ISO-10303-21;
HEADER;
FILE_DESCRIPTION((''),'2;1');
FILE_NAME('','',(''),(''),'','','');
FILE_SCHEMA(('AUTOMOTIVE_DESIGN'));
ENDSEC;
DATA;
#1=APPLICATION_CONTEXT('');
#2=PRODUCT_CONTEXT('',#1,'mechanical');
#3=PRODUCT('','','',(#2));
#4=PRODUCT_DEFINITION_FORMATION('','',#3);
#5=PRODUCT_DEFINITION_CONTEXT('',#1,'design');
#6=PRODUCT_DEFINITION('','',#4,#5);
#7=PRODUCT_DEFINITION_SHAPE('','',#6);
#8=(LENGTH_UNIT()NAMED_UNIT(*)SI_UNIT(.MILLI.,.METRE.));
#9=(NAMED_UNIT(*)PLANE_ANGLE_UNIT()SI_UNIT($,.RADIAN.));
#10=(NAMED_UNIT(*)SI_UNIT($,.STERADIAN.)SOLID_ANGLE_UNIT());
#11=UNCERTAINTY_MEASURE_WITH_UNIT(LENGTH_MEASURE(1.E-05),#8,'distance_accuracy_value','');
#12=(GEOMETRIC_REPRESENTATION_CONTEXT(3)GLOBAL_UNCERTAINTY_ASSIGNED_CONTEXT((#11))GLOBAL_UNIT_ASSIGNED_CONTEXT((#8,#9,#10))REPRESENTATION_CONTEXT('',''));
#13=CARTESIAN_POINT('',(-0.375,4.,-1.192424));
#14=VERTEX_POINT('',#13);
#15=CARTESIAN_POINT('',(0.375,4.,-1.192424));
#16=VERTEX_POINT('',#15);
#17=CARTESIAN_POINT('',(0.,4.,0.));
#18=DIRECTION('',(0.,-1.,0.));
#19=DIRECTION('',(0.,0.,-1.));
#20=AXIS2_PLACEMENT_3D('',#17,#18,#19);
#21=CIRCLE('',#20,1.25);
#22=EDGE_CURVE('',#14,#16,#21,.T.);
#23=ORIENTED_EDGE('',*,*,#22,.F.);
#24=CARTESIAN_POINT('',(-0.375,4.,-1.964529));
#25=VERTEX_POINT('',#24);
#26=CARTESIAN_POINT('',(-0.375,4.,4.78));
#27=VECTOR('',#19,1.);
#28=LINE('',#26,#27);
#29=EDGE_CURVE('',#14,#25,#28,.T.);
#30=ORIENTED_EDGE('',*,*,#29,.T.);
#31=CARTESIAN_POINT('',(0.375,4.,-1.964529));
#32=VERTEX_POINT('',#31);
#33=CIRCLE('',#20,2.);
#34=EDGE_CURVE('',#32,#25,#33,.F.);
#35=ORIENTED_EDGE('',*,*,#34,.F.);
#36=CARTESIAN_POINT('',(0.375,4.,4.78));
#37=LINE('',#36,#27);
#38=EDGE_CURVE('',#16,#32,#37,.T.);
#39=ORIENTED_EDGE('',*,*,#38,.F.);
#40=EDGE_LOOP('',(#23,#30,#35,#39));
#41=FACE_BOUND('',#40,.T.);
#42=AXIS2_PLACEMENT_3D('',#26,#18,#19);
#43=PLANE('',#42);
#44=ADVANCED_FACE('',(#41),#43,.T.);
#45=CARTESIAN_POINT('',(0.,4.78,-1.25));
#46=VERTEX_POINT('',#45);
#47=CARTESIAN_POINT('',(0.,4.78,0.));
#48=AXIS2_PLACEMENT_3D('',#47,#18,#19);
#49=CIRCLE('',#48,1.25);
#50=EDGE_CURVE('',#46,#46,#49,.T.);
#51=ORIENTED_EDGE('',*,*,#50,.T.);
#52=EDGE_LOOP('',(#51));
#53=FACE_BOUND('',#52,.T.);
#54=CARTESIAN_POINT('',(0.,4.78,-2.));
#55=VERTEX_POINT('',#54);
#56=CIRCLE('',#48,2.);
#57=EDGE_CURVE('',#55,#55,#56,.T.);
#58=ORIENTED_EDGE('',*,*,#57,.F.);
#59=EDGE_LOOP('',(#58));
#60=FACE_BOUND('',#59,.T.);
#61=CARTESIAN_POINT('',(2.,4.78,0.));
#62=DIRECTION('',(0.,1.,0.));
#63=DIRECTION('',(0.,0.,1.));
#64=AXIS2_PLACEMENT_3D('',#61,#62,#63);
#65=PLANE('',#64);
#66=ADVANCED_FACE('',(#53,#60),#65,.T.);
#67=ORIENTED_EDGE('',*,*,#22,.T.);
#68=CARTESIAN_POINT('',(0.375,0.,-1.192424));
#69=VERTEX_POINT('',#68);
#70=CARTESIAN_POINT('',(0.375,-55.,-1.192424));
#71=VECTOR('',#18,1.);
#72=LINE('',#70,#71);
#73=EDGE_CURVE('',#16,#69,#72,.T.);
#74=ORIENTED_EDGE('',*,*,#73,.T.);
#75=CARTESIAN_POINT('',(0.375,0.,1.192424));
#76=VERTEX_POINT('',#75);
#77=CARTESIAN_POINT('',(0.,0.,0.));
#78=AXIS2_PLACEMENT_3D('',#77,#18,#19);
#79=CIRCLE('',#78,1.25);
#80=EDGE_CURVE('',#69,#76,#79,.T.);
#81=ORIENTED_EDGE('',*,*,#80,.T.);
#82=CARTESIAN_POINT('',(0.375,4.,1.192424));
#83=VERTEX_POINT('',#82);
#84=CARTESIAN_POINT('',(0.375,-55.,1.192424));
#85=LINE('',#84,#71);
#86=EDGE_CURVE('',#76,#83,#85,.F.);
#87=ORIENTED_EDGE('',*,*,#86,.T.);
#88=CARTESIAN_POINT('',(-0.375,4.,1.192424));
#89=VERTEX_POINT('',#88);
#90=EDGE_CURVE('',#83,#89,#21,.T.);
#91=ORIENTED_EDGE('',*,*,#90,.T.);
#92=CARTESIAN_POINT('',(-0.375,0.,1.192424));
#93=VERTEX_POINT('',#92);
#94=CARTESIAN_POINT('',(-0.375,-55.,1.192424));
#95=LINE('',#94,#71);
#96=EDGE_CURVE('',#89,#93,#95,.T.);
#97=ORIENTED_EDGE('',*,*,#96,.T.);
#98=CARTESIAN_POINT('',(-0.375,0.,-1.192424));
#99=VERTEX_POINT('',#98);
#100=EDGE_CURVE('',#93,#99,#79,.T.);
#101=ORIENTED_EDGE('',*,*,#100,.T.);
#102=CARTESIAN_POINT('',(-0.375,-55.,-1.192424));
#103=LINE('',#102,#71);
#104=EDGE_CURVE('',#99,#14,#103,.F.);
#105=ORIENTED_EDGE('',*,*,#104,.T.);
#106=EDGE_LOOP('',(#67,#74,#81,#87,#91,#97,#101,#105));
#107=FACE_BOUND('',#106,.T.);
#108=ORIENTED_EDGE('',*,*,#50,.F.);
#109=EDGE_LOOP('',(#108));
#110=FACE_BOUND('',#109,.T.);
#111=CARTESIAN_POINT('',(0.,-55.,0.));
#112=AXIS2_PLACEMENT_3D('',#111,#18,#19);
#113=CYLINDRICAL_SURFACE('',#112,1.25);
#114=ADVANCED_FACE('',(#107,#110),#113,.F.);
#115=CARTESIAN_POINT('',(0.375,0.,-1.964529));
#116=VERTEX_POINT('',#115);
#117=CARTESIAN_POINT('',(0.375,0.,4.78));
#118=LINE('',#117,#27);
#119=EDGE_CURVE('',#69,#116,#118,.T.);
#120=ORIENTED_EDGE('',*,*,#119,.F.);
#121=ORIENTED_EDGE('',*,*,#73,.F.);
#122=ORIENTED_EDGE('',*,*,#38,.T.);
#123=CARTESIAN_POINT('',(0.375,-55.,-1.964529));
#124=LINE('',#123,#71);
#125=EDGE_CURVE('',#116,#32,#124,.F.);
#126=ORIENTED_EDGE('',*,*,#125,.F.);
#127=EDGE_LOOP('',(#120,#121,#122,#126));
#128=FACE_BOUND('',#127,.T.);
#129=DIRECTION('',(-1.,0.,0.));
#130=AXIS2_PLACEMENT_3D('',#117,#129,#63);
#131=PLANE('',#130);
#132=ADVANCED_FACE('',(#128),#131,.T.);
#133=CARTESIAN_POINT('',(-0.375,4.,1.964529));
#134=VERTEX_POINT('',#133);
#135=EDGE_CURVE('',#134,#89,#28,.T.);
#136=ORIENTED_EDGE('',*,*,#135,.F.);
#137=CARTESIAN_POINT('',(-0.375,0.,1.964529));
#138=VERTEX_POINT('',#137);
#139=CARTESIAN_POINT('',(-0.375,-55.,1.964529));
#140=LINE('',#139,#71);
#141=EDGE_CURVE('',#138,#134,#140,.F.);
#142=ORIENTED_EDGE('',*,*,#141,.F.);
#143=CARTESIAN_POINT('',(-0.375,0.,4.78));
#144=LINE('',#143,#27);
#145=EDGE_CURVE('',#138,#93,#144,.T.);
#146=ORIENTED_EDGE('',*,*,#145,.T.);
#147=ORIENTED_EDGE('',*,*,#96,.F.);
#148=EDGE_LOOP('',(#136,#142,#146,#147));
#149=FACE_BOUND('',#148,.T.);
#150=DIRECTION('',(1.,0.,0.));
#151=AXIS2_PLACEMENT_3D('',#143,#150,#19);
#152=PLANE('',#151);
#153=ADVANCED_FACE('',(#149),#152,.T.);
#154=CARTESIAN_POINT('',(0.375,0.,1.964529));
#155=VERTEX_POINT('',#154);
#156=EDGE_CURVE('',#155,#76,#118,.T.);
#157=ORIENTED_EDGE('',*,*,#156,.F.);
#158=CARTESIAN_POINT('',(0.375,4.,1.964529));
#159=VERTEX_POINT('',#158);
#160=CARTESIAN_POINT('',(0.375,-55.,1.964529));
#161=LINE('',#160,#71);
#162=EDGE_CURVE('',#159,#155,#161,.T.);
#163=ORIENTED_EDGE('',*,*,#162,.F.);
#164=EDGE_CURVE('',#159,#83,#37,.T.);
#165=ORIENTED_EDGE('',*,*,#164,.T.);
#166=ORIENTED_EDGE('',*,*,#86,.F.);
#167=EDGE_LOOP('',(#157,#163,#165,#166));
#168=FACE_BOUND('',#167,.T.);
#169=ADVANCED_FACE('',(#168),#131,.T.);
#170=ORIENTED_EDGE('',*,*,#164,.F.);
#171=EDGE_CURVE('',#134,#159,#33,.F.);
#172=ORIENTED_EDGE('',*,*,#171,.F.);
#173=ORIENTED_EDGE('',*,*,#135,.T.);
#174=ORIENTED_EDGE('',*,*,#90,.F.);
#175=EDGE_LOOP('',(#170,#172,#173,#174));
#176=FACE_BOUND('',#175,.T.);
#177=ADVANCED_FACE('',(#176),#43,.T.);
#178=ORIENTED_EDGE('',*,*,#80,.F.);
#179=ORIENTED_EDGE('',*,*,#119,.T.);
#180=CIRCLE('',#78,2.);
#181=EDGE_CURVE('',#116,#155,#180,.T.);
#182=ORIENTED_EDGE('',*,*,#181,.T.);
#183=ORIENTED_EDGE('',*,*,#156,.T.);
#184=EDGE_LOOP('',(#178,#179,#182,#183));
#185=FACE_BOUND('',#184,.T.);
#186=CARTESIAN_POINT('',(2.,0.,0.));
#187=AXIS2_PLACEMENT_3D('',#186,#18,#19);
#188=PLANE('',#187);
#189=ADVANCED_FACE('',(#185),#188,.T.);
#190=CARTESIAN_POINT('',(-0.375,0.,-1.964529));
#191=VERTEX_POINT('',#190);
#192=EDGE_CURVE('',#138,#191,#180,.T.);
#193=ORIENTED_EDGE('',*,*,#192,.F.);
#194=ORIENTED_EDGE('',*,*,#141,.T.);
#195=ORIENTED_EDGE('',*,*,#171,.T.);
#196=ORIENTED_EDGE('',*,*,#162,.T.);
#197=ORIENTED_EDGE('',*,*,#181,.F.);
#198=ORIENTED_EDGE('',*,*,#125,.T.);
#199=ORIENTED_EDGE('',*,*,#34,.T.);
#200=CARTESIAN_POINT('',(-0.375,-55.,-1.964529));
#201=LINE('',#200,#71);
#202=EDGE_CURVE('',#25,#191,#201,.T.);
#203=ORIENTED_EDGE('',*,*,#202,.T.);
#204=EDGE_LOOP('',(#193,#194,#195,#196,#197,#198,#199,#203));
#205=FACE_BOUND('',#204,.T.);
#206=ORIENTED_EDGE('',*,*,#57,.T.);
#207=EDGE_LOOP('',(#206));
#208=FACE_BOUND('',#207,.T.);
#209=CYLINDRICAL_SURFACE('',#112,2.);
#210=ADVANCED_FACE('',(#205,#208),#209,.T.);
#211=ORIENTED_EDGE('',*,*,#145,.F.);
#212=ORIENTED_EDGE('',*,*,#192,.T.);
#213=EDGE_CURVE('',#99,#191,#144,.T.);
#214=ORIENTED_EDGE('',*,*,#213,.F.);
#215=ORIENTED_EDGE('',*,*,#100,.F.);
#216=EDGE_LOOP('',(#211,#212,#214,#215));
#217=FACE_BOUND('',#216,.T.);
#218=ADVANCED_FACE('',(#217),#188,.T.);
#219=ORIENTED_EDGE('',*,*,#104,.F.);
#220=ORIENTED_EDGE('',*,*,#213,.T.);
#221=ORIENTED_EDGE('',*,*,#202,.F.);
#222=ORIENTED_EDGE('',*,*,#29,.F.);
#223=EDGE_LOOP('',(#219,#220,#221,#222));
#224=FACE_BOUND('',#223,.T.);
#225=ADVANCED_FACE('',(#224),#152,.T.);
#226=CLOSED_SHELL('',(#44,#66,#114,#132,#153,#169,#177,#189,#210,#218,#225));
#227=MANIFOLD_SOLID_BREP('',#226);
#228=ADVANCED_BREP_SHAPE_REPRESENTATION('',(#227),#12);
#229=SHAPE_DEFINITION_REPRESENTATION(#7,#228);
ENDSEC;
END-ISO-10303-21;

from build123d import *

# Parameters (mm, degrees)
SKETCH2_W               = 0.75
SKETCH2_H               = 4.78
CUT_EXTRUDE1_DEPTH      = 4.78
CUT_EXTRUDE1_DEPTH_BACK = 4.78
SKETCH3_W               = 0.75
SKETCH3_H               = 4


with BuildPart() as part:
    # Sketch2 → Revolve1 (revolve)
    with BuildSketch(Plane.XY):
        with Locations((1.625, 2.39)):
            Rectangle(SKETCH2_W, SKETCH2_H)
    revolve(axis=Axis((0, -55, 0), (0, 1, 0)))

    # Sketch3 → Cut-Extrude1 (cut, two sides: drawn at the far end of the back side and taken through both)
    with BuildSketch(Plane.XY.offset(-CUT_EXTRUDE1_DEPTH_BACK)):
        with Locations((0, 2)):
            Rectangle(SKETCH3_W, SKETCH3_H)
    extrude(amount=CUT_EXTRUDE1_DEPTH + CUT_EXTRUDE1_DEPTH_BACK, mode=Mode.SUBTRACT)


solid = part.part
